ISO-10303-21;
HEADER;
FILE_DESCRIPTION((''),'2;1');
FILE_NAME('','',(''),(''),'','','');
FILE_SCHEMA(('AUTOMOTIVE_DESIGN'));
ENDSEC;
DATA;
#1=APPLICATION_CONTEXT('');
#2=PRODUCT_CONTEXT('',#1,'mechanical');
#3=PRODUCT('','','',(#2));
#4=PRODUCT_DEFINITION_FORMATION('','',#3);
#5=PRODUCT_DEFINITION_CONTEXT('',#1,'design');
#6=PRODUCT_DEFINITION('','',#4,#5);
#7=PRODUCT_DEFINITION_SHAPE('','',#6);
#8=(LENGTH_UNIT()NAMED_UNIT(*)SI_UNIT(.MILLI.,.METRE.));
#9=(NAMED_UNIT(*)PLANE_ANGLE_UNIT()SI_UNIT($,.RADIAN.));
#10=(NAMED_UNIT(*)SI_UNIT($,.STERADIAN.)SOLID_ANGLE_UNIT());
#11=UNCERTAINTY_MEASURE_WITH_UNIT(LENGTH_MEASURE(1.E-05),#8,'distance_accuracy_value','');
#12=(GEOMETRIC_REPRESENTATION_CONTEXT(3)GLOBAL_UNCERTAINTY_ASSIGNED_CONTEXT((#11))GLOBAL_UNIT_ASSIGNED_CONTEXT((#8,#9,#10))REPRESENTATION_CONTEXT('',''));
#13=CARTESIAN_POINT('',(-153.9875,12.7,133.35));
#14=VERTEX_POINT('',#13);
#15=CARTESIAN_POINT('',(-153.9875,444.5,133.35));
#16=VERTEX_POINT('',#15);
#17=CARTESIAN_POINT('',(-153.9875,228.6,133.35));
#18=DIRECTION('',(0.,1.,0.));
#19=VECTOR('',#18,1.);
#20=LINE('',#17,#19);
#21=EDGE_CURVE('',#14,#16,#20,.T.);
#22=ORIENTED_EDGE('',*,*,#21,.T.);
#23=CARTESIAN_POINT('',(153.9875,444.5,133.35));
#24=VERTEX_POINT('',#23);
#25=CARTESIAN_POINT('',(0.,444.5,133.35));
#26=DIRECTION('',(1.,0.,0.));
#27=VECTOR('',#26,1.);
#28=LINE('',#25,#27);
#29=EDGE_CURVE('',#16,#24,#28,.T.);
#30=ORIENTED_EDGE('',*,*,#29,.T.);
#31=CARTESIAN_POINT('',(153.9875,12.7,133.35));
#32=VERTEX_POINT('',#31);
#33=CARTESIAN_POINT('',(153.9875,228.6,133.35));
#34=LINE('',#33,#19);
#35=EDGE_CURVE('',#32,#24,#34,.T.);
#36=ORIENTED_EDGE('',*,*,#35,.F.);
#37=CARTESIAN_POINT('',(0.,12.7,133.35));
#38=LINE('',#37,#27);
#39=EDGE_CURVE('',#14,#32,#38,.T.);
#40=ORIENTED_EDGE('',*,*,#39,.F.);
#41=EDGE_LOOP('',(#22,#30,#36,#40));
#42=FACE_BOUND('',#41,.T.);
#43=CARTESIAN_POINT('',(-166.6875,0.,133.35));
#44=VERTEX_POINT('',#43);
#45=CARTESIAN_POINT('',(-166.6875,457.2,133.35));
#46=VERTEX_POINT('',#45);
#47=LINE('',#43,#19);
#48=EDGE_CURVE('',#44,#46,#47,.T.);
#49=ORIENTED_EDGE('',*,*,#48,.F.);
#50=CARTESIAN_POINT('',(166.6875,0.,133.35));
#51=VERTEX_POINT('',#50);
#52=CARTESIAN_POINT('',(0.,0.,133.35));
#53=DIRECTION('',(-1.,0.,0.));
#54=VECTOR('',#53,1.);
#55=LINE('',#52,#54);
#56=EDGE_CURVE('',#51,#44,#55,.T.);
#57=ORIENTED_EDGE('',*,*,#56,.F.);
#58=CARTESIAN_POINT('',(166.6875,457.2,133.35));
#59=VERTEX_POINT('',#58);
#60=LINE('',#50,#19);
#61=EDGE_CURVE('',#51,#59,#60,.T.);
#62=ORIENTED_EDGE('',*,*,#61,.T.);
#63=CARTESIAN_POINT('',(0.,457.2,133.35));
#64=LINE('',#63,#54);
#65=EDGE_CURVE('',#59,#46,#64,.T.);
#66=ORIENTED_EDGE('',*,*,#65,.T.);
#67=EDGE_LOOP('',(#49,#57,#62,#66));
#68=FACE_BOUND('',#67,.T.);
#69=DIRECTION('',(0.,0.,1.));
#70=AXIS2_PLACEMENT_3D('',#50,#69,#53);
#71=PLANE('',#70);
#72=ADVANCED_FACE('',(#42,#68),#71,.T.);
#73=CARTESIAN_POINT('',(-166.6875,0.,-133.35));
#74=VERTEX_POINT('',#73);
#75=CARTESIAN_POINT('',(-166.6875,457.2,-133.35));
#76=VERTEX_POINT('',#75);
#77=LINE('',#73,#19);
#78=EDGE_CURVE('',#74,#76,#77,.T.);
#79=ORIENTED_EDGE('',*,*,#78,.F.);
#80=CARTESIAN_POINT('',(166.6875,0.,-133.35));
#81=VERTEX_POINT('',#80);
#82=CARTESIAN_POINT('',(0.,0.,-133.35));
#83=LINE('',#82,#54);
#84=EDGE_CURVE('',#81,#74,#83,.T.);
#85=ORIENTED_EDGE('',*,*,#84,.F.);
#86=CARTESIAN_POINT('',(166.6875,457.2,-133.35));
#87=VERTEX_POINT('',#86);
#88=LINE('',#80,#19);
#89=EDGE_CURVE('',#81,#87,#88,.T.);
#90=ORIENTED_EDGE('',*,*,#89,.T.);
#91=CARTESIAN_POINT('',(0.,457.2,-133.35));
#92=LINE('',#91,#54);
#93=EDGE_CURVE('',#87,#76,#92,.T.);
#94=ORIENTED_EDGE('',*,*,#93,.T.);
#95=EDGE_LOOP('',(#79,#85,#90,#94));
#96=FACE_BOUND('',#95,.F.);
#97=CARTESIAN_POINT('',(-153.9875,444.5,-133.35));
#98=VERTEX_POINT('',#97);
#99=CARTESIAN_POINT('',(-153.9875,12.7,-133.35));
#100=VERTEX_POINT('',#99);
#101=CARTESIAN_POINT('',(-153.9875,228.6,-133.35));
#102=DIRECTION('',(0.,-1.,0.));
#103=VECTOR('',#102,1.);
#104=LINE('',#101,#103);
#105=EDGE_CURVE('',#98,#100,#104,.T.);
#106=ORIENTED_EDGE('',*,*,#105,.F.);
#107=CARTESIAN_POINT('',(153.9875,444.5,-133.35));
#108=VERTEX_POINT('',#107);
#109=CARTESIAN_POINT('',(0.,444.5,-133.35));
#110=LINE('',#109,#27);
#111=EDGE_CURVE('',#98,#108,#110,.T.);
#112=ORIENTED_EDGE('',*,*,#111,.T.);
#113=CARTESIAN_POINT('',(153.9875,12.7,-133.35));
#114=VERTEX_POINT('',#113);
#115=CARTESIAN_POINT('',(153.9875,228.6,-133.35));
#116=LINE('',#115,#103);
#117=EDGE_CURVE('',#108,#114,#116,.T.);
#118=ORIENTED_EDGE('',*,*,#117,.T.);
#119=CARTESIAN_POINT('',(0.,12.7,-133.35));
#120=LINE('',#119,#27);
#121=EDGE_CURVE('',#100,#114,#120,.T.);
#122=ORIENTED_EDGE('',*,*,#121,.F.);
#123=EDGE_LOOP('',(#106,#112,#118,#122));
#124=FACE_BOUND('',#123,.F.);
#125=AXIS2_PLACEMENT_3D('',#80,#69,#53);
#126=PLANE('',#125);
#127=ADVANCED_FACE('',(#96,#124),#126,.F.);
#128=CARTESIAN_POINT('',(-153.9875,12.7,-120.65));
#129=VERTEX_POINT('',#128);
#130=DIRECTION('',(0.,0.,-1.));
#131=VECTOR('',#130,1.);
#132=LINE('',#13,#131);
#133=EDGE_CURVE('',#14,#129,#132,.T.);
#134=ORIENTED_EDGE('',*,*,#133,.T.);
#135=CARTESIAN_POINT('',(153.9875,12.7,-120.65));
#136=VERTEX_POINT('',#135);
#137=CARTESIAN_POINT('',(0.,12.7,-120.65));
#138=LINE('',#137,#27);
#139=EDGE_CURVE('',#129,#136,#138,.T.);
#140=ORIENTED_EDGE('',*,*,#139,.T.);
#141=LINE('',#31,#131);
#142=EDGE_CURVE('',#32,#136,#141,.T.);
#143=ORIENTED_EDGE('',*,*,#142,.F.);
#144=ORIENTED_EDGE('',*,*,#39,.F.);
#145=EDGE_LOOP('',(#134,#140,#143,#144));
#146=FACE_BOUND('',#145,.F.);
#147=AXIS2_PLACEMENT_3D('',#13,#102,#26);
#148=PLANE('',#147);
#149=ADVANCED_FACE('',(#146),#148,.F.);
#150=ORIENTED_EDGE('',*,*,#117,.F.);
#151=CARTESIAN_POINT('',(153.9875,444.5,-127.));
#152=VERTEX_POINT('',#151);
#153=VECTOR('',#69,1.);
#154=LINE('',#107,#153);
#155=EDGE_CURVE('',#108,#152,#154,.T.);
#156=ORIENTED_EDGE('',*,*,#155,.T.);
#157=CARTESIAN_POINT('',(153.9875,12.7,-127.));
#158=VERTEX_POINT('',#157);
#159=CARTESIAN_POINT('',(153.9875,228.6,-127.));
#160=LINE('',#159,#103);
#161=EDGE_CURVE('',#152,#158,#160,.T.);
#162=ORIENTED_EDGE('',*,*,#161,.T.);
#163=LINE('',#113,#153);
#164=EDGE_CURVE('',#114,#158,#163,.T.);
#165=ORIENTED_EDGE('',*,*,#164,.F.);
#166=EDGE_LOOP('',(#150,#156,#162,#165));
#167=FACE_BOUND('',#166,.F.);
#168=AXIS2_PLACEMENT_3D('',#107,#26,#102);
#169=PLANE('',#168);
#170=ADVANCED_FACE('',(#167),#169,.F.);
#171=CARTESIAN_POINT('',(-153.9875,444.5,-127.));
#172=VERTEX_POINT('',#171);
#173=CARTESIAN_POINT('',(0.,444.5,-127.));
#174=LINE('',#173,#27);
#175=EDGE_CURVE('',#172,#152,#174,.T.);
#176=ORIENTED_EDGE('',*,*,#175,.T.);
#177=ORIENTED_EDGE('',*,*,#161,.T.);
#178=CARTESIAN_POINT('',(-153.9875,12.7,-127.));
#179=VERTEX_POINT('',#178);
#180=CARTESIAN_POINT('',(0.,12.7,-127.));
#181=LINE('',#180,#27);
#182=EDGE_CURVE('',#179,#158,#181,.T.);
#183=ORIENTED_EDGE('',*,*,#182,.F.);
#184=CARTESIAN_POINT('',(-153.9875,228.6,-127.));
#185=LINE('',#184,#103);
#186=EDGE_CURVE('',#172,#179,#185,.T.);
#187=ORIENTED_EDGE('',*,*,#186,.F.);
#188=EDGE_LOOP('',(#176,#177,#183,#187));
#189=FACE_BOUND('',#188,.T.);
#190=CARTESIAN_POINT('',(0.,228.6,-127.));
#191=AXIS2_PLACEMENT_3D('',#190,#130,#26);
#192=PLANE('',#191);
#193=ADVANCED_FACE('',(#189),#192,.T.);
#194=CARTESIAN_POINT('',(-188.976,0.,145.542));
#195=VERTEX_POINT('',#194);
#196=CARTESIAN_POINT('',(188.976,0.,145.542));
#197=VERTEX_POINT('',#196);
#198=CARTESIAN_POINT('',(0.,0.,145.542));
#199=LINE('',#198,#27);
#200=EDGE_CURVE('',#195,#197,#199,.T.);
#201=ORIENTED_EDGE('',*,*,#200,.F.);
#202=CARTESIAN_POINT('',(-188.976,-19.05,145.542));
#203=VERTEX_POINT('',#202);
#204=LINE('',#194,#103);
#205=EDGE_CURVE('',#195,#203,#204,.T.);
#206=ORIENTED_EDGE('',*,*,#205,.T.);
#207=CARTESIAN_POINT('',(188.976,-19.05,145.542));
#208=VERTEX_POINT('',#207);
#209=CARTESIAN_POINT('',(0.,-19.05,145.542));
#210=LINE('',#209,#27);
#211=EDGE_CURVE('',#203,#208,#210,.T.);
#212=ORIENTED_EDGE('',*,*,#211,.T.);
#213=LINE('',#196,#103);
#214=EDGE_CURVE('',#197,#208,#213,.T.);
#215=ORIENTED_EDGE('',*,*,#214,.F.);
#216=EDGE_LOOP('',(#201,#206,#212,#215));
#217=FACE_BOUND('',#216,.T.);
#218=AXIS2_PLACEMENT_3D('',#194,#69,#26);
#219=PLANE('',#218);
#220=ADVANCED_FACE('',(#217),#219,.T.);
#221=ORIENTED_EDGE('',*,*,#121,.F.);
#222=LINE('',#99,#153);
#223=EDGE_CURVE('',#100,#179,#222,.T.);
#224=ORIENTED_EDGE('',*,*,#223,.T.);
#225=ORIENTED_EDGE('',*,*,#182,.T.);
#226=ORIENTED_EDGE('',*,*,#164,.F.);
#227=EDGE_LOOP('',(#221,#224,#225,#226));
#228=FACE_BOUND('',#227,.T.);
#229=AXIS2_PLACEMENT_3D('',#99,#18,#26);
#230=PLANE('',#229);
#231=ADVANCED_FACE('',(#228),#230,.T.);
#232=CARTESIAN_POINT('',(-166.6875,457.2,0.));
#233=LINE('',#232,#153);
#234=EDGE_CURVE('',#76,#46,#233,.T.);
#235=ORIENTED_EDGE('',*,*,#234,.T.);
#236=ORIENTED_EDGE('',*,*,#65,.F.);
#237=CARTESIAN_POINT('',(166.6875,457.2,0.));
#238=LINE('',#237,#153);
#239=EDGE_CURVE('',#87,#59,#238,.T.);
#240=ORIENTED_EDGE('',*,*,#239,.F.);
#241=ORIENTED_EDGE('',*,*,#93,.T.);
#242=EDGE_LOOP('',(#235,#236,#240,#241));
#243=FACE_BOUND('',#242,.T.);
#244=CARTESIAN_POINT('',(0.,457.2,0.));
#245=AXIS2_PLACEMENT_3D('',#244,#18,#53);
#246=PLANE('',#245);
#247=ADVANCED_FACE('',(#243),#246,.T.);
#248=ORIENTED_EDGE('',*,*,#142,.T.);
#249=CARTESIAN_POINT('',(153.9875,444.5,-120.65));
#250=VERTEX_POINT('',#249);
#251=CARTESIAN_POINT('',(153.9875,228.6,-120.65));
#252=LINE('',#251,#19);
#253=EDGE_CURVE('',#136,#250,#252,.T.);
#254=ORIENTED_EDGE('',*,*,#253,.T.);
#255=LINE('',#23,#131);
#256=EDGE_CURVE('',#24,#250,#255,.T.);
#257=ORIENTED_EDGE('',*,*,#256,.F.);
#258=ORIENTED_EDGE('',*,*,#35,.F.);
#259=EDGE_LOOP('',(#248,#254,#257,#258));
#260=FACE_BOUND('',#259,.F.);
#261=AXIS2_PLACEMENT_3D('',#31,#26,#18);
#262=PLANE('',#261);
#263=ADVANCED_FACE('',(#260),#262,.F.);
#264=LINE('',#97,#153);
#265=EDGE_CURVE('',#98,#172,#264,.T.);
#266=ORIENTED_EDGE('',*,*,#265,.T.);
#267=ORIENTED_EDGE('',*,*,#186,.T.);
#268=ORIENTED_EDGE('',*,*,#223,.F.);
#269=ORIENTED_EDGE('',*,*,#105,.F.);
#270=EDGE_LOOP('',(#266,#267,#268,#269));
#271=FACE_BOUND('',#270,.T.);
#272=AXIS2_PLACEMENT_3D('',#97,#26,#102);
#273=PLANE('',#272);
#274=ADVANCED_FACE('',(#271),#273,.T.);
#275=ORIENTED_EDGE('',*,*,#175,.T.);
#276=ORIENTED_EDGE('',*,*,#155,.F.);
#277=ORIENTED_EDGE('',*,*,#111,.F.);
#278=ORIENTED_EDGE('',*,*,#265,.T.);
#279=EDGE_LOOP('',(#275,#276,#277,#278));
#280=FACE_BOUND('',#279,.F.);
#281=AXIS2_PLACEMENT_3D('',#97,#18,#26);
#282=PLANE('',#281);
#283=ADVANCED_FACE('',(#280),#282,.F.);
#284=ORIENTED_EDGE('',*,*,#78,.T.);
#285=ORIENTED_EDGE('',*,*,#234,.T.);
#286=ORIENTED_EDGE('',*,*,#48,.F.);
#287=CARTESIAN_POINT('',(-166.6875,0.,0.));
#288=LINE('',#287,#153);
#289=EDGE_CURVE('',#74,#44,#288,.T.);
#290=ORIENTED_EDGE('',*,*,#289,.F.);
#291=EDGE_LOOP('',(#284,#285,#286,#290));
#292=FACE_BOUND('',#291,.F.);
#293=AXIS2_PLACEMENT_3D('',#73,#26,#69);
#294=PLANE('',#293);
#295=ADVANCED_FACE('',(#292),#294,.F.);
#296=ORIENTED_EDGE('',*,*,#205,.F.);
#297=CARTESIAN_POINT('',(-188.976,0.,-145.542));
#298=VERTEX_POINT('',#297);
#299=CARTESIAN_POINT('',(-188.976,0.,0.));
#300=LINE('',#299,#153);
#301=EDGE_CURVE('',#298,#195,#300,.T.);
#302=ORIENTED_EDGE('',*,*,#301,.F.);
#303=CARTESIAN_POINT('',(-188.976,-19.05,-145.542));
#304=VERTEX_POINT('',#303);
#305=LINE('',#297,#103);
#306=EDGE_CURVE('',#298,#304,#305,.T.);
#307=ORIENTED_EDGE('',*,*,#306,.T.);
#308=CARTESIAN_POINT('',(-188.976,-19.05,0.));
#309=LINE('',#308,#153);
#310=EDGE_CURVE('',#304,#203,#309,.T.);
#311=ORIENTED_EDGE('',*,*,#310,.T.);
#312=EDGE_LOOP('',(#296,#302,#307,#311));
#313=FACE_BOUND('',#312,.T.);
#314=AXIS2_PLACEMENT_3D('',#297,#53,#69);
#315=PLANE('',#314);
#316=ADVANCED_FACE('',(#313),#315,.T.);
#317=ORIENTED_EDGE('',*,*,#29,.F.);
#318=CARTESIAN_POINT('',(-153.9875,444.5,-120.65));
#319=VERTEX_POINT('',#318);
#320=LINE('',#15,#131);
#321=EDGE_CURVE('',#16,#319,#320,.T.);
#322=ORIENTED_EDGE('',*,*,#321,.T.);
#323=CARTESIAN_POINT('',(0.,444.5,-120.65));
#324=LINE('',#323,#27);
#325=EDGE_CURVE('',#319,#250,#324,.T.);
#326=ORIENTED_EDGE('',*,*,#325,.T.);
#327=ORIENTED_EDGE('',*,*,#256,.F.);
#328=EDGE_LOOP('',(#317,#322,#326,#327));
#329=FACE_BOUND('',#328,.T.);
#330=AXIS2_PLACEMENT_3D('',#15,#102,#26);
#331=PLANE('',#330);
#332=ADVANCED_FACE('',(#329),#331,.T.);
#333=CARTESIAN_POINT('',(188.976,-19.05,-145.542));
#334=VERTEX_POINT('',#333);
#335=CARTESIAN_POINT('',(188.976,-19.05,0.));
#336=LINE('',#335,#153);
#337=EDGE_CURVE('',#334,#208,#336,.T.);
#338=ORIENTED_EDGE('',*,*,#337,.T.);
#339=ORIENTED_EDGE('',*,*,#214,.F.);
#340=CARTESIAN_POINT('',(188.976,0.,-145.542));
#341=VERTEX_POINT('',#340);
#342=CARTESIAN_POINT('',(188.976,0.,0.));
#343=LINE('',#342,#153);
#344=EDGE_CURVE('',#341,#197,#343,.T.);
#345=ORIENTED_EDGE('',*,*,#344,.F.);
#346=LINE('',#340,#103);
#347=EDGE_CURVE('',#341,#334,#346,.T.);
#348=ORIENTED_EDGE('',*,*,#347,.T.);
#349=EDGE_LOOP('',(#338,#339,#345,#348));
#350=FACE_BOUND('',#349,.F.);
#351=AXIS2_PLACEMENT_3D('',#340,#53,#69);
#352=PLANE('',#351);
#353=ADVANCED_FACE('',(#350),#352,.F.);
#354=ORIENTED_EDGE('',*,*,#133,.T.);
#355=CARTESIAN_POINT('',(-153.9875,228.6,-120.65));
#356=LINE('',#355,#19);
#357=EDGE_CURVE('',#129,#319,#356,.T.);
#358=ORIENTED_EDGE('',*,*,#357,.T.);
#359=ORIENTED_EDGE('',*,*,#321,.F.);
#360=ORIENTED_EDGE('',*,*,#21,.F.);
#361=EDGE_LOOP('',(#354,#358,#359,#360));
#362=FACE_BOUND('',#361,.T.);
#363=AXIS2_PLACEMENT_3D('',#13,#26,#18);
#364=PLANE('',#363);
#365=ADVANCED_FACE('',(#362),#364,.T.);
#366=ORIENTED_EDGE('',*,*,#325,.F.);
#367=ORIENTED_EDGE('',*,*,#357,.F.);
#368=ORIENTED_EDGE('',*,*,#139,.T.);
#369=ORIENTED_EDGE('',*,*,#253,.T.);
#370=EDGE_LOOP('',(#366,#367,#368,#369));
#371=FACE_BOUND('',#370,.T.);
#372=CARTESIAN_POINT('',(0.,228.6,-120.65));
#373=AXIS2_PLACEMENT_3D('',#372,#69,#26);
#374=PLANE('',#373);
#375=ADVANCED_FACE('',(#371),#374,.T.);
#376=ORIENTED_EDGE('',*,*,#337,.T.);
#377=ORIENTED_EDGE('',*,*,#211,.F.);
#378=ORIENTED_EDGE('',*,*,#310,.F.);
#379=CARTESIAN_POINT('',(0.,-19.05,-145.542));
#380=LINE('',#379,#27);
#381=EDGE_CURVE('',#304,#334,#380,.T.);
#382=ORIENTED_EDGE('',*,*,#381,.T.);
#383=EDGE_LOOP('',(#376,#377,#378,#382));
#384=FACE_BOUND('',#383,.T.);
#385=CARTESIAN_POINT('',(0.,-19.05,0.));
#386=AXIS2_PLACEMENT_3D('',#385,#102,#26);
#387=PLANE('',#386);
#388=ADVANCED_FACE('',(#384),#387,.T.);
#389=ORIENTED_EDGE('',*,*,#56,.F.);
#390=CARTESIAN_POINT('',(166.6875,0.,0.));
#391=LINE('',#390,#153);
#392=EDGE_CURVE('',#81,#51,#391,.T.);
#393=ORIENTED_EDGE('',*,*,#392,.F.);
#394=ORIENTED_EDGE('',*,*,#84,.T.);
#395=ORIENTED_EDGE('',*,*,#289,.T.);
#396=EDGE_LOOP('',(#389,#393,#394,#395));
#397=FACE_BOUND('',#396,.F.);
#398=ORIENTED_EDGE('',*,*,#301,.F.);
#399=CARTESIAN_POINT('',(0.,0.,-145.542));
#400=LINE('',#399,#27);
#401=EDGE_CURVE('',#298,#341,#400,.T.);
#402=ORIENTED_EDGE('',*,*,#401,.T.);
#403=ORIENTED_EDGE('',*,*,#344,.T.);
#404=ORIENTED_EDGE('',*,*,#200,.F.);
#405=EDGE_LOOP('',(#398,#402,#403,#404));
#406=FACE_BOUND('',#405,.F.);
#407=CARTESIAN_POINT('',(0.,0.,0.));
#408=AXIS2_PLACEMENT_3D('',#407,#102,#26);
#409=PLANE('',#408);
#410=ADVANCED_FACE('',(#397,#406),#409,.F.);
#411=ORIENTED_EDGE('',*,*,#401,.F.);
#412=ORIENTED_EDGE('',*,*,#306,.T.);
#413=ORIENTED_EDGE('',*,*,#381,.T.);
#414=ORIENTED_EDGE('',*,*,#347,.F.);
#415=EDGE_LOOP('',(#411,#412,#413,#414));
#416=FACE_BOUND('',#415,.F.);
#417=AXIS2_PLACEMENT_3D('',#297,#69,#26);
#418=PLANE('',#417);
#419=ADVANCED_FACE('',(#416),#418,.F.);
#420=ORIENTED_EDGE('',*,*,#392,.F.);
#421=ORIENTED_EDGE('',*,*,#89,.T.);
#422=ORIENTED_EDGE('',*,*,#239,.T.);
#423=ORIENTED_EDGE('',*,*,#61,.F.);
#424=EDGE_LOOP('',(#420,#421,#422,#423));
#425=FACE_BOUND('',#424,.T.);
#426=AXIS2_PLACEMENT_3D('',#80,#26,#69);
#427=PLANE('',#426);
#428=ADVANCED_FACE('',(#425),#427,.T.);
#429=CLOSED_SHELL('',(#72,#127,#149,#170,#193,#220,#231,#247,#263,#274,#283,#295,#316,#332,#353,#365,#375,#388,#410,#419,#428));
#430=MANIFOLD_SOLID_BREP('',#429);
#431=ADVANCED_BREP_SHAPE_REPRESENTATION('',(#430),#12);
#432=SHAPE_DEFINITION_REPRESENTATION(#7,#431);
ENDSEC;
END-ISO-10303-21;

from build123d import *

# Parameters (mm, degrees)
F0_W     = 377.952
F0_H     = 291.084
F1_DEPTH = 19.05
F2_W     = 333.375
F2_H     = 266.7
F3_DEPTH = 457.2
F4_W     = 307.975
F4_H     = 431.8
F5_DEPTH = 254
F6_W     = 307.975
F6_H     = 431.8
F7_DEPTH = 6.35


with BuildPart() as f1:
    # F0 (on Front) → F1 (new body)
    with BuildSketch(Plane.XZ):
        Rectangle(F0_W, F0_H)
    extrude(amount=F1_DEPTH)

    # F2 (on face) → F3 (join)
    with BuildSketch(Plane(origin=(0, 0, 0), x_dir=(-1, 0, 0), z_dir=(0, 1, 0))):
        Rectangle(F2_W, F2_H)
    extrude(amount=F3_DEPTH)

    # F4 (on face) → F5 (cut)
    with BuildSketch(Plane.XY.offset(133.35)):
        with Locations((0, 228.6)):
            Rectangle(F4_W, F4_H)
    extrude(amount=-F5_DEPTH, mode=Mode.SUBTRACT)

    # F6 (on face) → F7 (cut)
    with BuildSketch(Plane(origin=(0, 0, -133.35), x_dir=(1, 0, 0), z_dir=(0, 0, -1))):
        with Locations((0, -228.6)):
            Rectangle(F6_W, F6_H)
    extrude(amount=-F7_DEPTH, mode=Mode.SUBTRACT)


solid = f1.part
